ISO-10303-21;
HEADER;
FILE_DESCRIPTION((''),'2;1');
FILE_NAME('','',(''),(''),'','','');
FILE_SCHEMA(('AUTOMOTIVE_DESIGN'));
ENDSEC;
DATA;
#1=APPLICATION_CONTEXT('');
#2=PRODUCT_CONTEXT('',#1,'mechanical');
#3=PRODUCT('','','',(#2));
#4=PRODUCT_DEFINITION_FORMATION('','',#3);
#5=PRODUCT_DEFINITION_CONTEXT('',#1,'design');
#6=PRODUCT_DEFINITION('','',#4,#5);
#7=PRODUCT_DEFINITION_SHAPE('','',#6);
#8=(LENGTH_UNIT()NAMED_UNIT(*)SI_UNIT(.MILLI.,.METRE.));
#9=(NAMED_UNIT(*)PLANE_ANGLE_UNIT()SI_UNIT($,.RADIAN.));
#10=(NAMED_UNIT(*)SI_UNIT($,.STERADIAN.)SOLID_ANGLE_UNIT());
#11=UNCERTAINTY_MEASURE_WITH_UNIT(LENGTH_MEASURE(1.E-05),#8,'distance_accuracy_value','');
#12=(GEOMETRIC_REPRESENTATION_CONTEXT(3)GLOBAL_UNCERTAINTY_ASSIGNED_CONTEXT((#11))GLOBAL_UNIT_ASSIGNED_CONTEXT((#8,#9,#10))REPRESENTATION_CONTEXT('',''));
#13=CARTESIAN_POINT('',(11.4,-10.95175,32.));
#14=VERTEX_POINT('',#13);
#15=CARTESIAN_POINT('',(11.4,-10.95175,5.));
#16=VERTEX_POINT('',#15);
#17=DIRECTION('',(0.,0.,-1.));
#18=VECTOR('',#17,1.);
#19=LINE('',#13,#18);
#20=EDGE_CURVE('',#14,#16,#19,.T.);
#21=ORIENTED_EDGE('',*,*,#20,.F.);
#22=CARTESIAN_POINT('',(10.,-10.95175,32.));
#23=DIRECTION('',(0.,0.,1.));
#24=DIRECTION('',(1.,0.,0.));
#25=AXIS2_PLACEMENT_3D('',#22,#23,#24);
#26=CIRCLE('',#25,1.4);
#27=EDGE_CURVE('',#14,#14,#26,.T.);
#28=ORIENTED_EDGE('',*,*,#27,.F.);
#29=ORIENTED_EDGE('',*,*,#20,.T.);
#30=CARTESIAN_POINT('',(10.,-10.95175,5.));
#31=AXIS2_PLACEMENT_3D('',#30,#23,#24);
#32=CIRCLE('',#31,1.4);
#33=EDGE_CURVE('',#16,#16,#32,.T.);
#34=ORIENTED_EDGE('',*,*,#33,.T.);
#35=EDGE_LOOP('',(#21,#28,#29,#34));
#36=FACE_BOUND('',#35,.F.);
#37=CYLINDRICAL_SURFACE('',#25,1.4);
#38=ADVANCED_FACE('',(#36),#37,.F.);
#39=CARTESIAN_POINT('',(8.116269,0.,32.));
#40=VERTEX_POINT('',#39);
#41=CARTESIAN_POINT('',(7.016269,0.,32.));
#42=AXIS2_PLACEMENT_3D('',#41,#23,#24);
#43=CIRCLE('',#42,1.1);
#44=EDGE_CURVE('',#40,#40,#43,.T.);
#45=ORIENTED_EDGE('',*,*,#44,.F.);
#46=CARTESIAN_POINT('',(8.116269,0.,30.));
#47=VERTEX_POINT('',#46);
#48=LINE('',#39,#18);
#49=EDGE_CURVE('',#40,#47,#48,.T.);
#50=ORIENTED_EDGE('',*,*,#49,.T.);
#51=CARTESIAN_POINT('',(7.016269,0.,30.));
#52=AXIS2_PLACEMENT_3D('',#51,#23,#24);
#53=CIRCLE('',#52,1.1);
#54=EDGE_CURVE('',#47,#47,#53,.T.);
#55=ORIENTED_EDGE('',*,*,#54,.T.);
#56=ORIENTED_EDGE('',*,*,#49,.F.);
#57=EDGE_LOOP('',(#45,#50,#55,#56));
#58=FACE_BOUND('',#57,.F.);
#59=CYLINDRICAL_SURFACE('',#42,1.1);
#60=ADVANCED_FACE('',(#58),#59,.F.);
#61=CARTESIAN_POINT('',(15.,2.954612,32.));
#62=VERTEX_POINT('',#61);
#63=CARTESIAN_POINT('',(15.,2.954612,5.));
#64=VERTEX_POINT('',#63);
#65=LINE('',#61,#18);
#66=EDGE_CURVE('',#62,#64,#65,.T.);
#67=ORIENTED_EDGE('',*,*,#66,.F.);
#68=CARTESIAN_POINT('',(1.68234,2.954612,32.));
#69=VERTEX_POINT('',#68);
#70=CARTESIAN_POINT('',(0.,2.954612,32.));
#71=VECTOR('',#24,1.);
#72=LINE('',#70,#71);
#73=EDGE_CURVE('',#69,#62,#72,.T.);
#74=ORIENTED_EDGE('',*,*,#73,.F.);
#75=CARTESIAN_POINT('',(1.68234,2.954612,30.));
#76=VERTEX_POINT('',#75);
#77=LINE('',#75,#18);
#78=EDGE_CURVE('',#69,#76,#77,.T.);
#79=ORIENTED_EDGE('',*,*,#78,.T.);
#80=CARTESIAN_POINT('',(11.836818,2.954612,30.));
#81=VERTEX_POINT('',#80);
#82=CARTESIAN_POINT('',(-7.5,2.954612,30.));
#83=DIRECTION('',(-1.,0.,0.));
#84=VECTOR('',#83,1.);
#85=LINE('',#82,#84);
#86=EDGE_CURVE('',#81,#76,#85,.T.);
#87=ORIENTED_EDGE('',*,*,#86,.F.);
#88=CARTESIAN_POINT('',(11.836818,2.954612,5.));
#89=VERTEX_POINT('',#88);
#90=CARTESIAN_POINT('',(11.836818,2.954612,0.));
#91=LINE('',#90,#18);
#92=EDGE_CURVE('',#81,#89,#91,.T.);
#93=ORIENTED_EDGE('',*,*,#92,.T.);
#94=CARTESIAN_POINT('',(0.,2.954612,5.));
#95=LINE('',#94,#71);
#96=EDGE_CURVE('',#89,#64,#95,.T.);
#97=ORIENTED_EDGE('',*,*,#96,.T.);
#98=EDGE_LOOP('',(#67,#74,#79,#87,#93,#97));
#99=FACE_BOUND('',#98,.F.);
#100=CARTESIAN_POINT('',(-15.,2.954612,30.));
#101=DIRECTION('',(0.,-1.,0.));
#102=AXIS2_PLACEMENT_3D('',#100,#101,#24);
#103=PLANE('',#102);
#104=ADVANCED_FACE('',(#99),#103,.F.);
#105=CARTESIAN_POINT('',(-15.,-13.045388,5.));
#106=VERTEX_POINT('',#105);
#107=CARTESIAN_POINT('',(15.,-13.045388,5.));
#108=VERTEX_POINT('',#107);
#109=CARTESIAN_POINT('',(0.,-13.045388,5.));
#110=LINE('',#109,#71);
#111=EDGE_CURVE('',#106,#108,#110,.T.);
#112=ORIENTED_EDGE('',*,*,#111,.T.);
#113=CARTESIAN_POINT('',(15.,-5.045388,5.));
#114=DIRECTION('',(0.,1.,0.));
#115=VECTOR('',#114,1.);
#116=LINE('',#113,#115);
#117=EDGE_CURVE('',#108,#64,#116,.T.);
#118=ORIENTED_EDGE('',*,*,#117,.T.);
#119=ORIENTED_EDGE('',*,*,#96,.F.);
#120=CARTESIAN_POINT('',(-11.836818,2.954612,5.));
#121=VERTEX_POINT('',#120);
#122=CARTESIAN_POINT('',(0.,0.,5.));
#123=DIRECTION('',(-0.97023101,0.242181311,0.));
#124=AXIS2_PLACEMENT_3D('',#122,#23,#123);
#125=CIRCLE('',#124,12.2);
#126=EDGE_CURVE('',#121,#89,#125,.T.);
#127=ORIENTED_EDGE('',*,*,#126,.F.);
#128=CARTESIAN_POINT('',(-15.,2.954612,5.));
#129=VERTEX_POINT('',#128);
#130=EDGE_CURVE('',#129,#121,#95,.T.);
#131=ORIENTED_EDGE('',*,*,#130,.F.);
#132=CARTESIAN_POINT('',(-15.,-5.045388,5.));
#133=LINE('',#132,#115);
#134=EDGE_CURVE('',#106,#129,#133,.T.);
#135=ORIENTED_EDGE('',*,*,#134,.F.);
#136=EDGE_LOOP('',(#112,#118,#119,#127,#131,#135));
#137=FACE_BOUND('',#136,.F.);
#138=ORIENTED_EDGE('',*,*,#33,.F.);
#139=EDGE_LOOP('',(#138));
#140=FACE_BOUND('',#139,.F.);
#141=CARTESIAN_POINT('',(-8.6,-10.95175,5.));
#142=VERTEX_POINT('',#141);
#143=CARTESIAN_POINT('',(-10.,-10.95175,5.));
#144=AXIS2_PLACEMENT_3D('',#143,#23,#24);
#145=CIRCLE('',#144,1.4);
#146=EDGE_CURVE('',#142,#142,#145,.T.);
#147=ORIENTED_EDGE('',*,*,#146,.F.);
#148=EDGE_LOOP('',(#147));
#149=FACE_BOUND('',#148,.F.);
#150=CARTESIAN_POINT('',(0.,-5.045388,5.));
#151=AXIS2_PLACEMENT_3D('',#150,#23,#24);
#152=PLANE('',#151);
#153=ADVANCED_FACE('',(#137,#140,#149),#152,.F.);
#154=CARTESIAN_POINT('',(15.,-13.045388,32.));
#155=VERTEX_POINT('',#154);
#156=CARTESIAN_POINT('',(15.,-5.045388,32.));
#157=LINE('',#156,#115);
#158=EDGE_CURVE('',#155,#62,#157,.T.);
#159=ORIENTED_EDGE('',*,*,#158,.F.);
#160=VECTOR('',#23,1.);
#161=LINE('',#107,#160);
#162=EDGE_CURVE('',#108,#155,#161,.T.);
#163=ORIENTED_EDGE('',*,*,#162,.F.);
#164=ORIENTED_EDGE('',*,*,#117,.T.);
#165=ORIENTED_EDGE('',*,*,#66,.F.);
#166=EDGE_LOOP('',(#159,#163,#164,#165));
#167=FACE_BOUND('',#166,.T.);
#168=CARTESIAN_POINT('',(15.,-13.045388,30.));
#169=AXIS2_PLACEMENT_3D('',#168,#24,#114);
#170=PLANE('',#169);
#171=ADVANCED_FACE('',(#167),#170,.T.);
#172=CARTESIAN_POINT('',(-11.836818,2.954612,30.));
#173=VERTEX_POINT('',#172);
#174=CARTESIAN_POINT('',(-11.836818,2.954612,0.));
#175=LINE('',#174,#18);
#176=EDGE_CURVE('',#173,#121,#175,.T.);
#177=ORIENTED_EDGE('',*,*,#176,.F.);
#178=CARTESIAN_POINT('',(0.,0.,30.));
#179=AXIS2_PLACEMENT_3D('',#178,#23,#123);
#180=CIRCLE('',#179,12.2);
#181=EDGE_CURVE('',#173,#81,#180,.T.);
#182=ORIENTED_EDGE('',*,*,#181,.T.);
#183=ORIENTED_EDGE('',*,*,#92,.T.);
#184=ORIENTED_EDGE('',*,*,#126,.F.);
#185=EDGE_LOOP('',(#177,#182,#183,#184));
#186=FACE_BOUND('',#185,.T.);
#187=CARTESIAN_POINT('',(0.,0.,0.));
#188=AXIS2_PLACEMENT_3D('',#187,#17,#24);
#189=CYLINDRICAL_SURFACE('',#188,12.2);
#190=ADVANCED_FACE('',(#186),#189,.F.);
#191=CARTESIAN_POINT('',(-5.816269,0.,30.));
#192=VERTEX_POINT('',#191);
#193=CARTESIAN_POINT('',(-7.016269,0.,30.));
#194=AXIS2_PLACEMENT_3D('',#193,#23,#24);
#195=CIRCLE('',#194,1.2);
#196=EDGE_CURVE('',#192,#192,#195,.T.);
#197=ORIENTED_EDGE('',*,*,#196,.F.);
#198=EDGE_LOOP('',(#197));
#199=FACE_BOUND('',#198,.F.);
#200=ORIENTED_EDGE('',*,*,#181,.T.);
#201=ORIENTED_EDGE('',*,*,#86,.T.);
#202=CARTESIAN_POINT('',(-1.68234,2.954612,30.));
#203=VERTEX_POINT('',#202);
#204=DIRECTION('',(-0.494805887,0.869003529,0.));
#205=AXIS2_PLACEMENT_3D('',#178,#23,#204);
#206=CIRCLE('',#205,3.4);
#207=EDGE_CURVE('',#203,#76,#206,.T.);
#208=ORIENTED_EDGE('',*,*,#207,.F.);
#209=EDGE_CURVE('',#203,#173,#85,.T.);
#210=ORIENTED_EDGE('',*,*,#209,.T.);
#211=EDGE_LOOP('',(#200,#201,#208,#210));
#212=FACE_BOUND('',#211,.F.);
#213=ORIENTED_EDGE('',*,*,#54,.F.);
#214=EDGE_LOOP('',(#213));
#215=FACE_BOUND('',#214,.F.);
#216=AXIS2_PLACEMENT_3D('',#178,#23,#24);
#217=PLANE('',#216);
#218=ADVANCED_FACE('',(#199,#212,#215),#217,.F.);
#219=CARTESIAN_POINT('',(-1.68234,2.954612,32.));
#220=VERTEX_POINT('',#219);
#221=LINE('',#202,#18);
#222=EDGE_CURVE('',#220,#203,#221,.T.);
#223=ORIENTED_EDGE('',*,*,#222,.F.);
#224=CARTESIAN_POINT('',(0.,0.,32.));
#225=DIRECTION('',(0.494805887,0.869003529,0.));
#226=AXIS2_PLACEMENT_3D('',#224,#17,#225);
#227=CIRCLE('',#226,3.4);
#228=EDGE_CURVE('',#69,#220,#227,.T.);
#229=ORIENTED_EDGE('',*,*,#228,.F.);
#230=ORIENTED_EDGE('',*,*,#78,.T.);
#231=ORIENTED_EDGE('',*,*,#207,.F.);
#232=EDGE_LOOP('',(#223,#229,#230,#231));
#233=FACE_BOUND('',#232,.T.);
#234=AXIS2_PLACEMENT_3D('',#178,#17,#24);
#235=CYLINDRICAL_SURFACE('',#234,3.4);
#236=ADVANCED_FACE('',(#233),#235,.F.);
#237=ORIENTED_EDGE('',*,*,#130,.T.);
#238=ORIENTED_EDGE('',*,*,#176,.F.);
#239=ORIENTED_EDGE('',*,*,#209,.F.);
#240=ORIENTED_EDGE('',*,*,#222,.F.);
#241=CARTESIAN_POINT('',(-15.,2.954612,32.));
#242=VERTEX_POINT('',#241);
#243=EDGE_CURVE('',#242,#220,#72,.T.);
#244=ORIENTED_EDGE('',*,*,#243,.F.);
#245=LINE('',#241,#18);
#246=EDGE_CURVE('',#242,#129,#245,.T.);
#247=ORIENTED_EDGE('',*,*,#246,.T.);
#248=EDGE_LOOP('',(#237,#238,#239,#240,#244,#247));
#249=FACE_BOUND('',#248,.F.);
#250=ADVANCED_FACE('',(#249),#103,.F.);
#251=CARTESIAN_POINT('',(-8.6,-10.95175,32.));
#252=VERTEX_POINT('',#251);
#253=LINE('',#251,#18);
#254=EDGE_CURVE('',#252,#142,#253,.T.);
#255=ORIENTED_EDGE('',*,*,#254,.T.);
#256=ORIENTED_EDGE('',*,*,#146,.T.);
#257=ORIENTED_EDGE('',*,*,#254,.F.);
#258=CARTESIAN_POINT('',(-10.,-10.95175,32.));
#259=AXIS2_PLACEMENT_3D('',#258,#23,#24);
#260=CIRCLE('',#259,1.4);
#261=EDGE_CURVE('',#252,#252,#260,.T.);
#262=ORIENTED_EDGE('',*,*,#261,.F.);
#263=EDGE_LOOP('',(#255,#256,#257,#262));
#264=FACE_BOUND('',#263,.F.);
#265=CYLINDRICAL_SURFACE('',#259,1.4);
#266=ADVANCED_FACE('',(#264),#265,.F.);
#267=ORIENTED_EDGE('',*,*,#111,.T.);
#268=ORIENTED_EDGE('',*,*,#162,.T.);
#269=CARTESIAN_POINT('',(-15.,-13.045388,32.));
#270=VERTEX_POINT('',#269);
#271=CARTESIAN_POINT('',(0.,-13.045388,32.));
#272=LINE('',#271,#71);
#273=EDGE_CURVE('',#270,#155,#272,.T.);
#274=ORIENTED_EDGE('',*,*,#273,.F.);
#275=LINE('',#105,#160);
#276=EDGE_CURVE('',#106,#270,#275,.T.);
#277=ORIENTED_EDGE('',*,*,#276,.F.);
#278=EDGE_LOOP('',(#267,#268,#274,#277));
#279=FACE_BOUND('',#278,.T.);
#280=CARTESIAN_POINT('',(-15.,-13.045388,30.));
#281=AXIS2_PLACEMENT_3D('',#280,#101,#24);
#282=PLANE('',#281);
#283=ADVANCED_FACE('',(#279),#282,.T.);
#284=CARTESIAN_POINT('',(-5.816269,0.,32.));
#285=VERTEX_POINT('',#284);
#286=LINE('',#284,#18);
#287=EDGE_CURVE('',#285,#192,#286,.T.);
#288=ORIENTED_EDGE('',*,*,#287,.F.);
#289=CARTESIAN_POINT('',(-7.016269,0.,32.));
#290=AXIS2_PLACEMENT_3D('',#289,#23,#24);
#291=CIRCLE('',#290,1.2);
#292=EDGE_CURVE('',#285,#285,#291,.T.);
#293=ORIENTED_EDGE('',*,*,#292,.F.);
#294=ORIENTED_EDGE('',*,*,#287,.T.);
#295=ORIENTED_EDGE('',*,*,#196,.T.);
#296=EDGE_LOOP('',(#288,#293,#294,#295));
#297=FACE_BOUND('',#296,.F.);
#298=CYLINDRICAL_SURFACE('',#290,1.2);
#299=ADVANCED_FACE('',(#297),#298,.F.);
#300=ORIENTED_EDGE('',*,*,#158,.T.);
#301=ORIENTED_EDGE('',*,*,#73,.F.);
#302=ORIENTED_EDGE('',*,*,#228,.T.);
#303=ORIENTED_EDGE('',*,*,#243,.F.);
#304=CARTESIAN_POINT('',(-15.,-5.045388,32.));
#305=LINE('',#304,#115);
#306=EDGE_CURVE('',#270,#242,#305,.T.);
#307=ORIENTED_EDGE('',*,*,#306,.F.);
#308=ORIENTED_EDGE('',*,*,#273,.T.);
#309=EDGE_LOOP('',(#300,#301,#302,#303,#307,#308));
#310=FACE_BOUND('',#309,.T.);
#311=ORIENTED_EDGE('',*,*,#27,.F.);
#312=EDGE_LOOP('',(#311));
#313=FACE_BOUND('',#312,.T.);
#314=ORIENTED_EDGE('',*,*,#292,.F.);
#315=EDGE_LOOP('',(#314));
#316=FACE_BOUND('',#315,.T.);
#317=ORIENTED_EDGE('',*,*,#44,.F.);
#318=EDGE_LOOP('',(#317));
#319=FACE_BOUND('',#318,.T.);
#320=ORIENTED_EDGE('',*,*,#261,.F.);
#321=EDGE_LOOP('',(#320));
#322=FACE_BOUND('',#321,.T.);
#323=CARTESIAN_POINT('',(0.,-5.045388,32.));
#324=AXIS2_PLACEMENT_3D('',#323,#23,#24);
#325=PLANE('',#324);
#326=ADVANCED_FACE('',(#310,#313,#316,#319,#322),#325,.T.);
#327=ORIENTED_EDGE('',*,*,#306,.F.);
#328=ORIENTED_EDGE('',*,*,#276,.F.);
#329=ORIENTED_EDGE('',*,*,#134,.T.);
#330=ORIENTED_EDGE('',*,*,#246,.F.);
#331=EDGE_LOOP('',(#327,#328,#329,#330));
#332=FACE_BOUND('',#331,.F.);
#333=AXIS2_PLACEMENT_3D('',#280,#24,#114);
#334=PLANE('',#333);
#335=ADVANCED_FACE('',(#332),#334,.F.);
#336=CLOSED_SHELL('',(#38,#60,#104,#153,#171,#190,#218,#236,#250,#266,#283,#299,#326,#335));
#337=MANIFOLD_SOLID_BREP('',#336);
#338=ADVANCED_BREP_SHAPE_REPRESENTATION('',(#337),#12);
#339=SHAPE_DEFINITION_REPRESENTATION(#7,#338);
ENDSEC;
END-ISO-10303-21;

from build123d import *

# Parameters (mm, degrees)
SKETCH004_W     = 30
SKETCH004_H     = 16
PAD003_DEPTH    = 2
SKETCH005_R     = 3.4
POCKET001_DEPTH = 20
PAD004_DEPTH    = 25
SKETCH006_R     = 12.2
POCKET002_DEPTH = 30
SKETCH007_R     = 1.2
SKETCH007_R_2   = 1.1
POCKET003_DEPTH = 5
SKETCH008_R     = 1.4
POCKET004_DEPTH = 50


with BuildPart() as part:
    # Sketch004 → Pad003 (new body)
    with BuildSketch(Plane.XY.offset(30)):
        with Locations((0, -5.045388)):
            Rectangle(SKETCH004_W, SKETCH004_H)
    extrude(amount=PAD003_DEPTH)

    # Sketch005 (on Face3 of Pad) → Pocket001 (cut)
    with BuildSketch(Plane.XY.offset(30)):
        Circle(SKETCH005_R)
    extrude(amount=POCKET001_DEPTH, mode=Mode.SUBTRACT)

    # Sketch004 → Pad004 (join)
    with BuildSketch(Plane.XY.offset(30)):
        with Locations((0, -5.045388)):
            Rectangle(SKETCH004_W, SKETCH004_H)
    extrude(amount=-PAD004_DEPTH)

    # Sketch006 → Pocket002 (cut)
    with BuildSketch(Plane.XY):
        Circle(SKETCH006_R)
    extrude(amount=POCKET002_DEPTH, mode=Mode.SUBTRACT)

    # Sketch007 (on Face5 of Pocket002) → Pocket003 (cut)
    with BuildSketch(Plane.XY.offset(32)):
        with Locations((-7.016269, 0)):
            Circle(SKETCH007_R)
        with Locations((7.016269, 0)):
            Circle(SKETCH007_R_2)
    extrude(amount=-POCKET003_DEPTH, mode=Mode.SUBTRACT)

    # Sketch008 (on Face5 of Pocket003) → Pocket004 (cut)
    with BuildSketch(Plane.XY.offset(32)):
        with Locations((-10, -10.95175)):
            Circle(SKETCH008_R)
        with Locations((10, -10.95175)):
            Circle(SKETCH008_R)
    extrude(amount=-POCKET004_DEPTH, mode=Mode.SUBTRACT)


solid = part.part
